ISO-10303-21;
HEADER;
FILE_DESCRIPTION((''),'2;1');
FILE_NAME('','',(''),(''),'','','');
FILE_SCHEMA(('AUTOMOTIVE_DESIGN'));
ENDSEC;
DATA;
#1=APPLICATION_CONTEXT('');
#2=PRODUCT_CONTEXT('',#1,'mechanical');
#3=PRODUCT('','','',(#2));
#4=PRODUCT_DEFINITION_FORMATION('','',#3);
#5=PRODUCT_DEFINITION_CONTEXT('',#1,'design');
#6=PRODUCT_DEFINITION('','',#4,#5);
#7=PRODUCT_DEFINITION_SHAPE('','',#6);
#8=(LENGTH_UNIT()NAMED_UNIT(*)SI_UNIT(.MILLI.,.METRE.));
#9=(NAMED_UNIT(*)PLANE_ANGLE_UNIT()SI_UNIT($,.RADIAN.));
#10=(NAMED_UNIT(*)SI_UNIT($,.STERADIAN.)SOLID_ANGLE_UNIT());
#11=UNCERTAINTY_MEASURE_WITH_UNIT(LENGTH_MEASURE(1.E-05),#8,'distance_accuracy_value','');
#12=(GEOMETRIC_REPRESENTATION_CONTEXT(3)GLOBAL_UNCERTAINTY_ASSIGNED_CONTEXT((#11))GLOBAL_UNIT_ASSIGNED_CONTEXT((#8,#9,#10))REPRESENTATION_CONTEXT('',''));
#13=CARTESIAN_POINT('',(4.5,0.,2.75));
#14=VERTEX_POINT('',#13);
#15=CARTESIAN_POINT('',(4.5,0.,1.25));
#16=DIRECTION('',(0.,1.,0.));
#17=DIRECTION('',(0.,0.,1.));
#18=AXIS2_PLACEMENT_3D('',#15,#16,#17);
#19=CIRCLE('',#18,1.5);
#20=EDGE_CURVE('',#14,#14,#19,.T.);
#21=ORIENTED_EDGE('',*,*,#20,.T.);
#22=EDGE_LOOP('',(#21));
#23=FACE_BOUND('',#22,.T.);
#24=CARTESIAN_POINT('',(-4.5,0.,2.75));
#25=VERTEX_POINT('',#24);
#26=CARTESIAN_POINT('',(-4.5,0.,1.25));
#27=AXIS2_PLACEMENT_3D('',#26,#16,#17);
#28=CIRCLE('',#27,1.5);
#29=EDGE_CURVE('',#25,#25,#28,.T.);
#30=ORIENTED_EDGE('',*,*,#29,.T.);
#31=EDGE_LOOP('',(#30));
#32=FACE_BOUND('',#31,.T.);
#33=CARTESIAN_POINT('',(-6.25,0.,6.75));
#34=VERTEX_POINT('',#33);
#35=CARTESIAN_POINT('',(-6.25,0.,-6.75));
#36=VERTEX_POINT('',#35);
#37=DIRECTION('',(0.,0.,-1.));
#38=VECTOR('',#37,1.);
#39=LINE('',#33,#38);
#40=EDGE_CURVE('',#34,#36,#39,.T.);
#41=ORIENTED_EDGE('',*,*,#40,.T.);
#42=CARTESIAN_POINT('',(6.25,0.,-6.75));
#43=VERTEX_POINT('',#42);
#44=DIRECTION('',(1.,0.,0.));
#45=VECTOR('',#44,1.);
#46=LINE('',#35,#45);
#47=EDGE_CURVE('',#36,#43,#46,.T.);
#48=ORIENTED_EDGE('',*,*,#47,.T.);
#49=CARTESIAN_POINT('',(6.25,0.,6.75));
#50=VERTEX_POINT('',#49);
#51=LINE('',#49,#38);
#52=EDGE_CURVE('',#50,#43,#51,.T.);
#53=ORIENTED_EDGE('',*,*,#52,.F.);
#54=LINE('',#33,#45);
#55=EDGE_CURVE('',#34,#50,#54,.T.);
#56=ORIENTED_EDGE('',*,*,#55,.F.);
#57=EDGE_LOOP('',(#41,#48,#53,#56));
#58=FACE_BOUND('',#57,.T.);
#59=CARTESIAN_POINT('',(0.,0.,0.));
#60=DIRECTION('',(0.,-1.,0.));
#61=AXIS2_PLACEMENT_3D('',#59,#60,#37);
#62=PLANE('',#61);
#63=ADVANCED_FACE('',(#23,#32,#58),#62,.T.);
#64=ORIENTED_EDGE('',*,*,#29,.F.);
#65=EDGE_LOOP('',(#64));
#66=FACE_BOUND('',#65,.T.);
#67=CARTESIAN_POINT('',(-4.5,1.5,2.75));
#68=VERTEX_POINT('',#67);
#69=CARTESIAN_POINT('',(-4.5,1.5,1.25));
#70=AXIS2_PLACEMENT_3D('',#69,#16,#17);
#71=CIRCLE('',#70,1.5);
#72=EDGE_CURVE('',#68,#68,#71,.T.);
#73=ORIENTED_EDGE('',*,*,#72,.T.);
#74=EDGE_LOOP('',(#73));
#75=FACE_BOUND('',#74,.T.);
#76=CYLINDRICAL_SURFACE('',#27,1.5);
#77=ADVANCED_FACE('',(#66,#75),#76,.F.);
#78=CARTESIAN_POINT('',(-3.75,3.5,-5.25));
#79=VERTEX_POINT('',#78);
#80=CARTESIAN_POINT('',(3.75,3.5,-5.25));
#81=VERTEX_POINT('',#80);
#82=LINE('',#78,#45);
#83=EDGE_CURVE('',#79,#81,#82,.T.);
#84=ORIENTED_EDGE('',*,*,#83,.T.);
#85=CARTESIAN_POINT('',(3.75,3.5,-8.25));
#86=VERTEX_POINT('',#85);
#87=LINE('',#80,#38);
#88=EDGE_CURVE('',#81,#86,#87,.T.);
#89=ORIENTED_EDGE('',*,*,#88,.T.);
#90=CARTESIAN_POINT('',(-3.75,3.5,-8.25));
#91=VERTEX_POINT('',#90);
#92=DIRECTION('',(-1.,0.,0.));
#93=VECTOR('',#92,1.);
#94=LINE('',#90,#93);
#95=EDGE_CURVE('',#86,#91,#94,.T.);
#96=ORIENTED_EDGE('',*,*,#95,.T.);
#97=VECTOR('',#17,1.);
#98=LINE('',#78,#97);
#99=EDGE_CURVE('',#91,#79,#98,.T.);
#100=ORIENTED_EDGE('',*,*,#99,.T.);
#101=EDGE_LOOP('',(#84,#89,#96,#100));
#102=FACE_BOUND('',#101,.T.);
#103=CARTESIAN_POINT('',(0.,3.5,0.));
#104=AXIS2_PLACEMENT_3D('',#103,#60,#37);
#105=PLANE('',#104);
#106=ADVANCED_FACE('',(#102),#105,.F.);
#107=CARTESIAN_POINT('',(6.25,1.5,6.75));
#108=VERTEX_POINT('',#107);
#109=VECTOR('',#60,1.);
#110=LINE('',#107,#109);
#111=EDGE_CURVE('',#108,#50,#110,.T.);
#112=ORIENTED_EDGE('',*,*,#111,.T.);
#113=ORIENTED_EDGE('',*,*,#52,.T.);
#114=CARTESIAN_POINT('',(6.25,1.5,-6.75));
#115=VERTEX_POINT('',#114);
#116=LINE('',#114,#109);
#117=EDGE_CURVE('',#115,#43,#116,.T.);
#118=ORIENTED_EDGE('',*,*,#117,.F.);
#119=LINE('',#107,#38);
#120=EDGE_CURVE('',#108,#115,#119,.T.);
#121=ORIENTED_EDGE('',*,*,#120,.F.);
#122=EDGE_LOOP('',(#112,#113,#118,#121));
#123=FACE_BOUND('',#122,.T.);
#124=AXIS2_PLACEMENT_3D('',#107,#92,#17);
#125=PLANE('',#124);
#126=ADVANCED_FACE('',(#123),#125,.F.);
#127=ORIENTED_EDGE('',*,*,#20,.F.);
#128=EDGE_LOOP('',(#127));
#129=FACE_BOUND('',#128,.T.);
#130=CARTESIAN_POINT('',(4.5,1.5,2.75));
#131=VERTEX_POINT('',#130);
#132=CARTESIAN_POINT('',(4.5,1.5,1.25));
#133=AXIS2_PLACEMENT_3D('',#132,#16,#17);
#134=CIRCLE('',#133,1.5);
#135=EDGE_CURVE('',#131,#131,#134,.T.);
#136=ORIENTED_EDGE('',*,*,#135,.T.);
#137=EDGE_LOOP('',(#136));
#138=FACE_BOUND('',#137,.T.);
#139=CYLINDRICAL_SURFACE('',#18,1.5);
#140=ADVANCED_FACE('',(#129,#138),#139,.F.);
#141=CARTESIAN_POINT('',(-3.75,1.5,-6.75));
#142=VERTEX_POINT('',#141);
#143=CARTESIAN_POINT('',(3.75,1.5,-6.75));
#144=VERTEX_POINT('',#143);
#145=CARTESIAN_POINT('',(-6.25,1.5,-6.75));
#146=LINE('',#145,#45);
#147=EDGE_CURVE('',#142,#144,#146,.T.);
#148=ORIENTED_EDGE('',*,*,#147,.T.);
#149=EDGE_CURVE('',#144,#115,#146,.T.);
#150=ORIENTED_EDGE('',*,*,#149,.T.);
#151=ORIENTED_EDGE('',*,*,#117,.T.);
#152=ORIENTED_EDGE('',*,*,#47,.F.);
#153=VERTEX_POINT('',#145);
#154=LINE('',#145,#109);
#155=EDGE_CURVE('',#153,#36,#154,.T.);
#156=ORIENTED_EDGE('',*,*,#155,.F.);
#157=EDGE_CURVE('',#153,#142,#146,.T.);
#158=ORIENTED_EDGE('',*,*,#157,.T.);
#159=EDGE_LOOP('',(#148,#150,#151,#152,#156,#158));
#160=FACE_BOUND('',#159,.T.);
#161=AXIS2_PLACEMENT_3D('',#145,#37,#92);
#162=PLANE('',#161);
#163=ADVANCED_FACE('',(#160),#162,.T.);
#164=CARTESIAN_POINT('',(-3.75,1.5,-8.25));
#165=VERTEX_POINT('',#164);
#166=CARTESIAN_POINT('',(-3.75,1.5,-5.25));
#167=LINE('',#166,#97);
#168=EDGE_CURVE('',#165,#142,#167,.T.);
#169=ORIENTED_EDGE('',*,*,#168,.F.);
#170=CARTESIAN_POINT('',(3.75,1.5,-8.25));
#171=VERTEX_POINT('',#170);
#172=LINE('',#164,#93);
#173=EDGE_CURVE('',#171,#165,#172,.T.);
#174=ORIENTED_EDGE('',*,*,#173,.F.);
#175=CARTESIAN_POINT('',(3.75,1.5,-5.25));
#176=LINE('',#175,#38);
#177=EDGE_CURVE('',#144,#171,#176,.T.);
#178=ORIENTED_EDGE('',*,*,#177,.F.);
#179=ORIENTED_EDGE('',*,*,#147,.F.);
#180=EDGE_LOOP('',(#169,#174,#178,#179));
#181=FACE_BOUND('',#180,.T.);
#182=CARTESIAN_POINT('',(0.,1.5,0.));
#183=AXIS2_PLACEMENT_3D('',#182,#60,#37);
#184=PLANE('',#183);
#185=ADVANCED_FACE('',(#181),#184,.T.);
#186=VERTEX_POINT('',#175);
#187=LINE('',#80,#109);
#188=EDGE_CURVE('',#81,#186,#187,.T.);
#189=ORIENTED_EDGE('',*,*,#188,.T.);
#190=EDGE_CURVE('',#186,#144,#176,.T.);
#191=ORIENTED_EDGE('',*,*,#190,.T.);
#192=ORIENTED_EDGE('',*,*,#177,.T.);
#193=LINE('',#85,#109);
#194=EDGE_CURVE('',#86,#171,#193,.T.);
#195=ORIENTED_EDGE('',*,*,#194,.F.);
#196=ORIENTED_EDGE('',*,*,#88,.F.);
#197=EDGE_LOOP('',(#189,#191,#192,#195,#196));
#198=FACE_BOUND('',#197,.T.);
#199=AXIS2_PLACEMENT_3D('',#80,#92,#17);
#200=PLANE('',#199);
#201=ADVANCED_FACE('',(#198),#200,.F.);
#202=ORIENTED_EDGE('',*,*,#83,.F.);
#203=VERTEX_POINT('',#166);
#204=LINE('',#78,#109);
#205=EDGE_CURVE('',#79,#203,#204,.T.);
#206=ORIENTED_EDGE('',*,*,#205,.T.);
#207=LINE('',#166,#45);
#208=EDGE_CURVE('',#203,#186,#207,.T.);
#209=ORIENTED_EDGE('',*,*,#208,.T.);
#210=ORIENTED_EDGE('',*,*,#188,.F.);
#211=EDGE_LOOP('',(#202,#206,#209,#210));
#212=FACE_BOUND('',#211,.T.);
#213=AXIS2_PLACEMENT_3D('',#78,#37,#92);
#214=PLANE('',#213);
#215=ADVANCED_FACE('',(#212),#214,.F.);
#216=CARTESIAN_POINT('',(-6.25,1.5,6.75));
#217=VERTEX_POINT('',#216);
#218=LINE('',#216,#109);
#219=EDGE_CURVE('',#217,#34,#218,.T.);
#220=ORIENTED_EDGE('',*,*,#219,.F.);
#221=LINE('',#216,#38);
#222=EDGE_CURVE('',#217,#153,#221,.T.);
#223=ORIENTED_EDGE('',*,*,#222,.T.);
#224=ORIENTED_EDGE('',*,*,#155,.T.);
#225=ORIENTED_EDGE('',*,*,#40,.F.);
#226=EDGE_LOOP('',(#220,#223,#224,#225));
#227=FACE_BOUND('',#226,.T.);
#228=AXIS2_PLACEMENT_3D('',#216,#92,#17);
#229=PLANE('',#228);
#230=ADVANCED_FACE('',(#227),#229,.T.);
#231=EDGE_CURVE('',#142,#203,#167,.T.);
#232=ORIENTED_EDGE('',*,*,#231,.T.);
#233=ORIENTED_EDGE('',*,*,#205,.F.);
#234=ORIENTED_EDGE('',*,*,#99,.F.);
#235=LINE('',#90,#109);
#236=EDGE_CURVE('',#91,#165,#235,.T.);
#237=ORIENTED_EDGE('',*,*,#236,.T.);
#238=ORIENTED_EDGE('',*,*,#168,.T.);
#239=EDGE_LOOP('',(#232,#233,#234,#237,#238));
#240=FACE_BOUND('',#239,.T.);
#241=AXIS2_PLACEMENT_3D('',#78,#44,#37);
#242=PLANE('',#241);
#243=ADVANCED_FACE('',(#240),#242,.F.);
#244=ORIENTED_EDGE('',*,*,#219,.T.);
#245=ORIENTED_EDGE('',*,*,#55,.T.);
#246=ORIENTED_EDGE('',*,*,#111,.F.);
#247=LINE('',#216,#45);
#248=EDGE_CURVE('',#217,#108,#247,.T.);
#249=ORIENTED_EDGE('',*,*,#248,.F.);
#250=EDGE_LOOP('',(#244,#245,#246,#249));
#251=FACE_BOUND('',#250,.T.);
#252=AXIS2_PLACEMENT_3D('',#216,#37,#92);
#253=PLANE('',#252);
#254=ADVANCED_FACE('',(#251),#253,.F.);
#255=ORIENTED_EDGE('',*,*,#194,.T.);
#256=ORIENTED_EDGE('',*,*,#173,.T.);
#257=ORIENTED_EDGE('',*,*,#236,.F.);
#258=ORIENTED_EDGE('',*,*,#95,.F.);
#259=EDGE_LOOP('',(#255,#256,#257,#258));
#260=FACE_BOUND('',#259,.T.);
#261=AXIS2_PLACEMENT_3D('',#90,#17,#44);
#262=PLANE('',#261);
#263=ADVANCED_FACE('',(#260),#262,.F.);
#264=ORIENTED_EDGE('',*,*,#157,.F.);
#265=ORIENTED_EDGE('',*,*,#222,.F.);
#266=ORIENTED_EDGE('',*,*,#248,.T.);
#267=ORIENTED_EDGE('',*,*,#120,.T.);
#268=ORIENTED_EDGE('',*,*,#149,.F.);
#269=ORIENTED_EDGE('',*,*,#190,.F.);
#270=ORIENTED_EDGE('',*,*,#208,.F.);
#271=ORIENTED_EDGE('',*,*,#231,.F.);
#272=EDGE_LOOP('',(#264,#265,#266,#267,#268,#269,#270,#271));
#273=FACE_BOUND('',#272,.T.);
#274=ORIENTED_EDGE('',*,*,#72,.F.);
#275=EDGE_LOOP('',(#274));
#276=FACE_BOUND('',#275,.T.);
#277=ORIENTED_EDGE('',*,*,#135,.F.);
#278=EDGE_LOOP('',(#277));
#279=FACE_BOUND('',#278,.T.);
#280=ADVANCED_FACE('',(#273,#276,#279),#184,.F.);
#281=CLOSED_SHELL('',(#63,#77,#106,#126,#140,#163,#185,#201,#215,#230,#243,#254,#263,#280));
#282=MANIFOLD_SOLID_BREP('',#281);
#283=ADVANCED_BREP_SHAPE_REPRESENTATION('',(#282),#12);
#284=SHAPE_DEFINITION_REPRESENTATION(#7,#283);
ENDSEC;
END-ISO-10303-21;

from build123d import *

# Parameters (mm, degrees)
SKETCH1_W           = 12.5
SKETCH1_H           = 13.5
BOSS_EXTRUDE1_DEPTH = 1.5
SKETCH2_W           = 7.5
SKETCH2_H           = 3
BOSS_EXTRUDE2_DEPTH = 2
SKETCH3_R           = 1.5
CUT_EXTRUDE4_DEPTH  = 11.541584321


with BuildPart() as part:
    # Sketch1 → Boss-Extrude1 (new body)
    with BuildSketch(Plane(origin=(0, 0, 0), x_dir=(1, 0, 0), z_dir=(0, 1, 0))):
        Rectangle(SKETCH1_W, SKETCH1_H)
    extrude(amount=BOSS_EXTRUDE1_DEPTH)

    # Sketch2 → Boss-Extrude2 (add)
    with BuildSketch(Plane(origin=(0, 1.5, 0), x_dir=(1, 0, 0), z_dir=(0, 1, 0))):
        with Locations((0, 6.75)):
            Rectangle(SKETCH2_W, SKETCH2_H)
    extrude(amount=BOSS_EXTRUDE2_DEPTH)

    # Sketch3 → Cut-Extrude4 (cut, through all)
    with BuildSketch(Plane(origin=(0, 1.5, 0), x_dir=(1, 0, 0), z_dir=(0, 1, 0))):
        with Locations(Location((-4.5, -1.25, 0), (0, 0, 270))):
            Circle(SKETCH3_R)
        with Locations(Location((4.5, -1.25, 0), (0, 0, 270))):
            Circle(SKETCH3_R)
    extrude(amount=-CUT_EXTRUDE4_DEPTH, mode=Mode.SUBTRACT)


solid = part.part
